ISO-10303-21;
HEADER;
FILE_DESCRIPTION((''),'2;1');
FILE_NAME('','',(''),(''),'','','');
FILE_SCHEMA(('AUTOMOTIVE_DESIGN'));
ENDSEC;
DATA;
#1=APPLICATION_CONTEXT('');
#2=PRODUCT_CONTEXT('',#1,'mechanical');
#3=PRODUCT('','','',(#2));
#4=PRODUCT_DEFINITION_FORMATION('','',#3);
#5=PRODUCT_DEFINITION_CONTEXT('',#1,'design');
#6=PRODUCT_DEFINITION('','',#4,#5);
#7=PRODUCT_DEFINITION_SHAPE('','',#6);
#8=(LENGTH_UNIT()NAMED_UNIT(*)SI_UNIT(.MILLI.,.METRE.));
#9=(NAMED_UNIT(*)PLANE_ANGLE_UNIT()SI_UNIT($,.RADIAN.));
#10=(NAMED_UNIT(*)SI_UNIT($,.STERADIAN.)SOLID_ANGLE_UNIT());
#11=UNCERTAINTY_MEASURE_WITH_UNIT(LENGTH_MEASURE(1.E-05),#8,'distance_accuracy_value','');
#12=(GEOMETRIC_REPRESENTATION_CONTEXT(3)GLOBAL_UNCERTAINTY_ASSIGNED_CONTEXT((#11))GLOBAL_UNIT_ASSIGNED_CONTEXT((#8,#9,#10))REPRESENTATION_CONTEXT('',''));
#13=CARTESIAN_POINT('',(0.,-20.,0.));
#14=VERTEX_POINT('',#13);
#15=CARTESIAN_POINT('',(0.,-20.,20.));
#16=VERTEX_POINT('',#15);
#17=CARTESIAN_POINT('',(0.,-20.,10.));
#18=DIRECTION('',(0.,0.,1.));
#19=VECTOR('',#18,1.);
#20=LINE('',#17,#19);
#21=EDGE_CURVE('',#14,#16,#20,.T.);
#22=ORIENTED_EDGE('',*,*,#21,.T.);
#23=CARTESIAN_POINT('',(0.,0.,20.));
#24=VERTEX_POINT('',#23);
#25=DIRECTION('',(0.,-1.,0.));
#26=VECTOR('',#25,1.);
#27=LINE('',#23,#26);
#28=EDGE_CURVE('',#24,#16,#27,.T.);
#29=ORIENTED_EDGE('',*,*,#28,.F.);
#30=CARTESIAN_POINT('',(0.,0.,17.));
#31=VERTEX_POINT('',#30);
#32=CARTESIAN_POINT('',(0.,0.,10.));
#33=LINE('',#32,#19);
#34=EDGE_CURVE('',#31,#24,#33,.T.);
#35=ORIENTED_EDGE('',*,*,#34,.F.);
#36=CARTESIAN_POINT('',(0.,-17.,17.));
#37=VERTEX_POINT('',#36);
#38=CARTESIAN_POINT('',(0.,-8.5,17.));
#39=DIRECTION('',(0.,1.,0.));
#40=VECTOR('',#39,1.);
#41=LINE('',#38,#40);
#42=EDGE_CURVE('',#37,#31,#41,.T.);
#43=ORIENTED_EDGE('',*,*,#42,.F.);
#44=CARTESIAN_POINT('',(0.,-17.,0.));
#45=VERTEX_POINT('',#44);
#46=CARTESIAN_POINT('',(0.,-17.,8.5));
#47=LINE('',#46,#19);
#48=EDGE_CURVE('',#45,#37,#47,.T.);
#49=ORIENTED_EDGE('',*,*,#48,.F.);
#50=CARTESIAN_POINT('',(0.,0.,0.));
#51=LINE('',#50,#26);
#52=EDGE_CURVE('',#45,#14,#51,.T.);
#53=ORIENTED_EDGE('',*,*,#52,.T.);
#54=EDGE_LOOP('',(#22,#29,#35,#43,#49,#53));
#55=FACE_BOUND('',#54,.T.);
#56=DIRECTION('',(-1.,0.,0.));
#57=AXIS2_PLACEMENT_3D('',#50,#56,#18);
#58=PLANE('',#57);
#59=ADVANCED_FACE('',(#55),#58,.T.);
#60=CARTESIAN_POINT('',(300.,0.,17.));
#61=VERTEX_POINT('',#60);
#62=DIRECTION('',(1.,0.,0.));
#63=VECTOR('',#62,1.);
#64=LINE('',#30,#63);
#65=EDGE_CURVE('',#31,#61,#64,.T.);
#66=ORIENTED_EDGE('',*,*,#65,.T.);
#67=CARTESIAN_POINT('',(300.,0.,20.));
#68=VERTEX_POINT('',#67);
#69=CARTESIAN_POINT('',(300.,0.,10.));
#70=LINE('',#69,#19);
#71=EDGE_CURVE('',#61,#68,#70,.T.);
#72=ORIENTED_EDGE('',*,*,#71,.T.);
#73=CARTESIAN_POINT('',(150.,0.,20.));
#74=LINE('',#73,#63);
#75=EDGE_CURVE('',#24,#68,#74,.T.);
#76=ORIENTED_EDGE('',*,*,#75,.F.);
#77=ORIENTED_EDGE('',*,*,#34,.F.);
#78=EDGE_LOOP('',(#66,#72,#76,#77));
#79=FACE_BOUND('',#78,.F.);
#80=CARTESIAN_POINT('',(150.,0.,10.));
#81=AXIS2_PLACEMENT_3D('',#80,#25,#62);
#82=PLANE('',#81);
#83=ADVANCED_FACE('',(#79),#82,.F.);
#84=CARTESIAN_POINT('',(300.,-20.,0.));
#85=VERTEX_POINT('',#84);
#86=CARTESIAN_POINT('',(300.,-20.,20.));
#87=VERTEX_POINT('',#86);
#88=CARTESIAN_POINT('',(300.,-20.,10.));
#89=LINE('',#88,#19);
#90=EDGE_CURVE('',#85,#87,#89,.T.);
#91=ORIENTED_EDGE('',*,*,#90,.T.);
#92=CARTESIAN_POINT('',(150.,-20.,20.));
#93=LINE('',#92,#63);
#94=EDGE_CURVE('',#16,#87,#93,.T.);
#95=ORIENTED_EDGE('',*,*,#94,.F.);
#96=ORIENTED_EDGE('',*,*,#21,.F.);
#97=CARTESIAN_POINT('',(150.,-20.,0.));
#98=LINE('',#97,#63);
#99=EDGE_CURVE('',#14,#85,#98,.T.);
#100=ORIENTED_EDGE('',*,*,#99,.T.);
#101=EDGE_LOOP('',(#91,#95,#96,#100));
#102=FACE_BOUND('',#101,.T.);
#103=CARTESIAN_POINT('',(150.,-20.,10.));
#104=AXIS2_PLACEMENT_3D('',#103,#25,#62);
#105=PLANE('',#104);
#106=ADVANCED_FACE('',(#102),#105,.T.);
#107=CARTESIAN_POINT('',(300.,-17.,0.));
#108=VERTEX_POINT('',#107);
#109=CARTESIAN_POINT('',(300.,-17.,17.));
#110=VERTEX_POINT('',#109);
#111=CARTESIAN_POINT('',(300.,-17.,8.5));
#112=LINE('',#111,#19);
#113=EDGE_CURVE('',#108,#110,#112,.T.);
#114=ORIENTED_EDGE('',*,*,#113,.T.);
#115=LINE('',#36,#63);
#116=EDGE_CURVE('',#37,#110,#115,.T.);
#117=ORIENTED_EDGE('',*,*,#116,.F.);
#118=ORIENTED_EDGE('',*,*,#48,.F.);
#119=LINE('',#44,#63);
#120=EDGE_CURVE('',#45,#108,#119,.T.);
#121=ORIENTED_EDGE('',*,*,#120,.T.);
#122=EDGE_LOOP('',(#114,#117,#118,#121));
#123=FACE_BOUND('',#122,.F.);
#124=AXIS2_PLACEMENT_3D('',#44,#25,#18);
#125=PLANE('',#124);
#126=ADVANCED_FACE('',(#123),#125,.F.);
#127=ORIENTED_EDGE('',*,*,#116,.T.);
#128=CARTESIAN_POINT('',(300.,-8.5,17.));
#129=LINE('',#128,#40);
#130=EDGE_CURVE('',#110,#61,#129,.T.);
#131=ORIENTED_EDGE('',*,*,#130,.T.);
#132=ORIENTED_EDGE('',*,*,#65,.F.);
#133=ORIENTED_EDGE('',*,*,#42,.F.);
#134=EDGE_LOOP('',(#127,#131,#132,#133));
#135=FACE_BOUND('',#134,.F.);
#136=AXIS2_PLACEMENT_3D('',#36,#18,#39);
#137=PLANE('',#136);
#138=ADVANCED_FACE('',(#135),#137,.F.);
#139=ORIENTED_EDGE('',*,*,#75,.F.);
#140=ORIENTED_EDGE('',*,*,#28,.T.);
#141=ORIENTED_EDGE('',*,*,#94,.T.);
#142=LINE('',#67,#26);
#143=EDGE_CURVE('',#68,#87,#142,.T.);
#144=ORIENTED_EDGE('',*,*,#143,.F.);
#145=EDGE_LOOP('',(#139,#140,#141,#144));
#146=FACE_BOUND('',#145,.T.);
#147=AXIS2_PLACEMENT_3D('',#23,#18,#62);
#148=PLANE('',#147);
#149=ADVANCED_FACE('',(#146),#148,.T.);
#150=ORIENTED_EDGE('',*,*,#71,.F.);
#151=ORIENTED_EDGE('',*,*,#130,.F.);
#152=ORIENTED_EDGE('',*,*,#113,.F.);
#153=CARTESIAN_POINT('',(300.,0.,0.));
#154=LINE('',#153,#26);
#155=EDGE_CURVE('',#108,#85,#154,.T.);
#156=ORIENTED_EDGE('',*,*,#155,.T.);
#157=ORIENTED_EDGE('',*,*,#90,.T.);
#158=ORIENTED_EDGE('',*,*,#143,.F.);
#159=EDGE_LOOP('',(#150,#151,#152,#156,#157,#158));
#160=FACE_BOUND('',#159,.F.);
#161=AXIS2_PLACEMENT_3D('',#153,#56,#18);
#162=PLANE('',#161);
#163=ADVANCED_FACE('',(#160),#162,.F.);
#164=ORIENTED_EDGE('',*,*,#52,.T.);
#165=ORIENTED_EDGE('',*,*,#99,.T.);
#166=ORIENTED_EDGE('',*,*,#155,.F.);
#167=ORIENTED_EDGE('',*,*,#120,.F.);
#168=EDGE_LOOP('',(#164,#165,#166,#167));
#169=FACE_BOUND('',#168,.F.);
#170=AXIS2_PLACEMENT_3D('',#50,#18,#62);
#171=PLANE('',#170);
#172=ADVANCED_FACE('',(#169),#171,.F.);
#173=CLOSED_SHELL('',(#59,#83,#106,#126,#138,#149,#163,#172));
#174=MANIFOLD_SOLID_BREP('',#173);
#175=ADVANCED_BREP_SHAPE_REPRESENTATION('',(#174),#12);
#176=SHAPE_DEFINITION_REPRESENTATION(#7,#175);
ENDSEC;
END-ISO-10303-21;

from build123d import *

# Parameters (mm, degrees)
F0_W     = 300
F0_H     = 20
F1_DEPTH = 20
F2_W     = 17
F2_H     = 17
F3_DEPTH = 300


with BuildPart() as f1:
    # F0 (on Front) → F1 (new body)
    with BuildSketch(Plane.XZ):
        with Locations((150, 10)):
            Rectangle(F0_W, F0_H)
    extrude(amount=F1_DEPTH)

    # F2 (on Right) → F3 (cut)
    with BuildSketch(Plane.YZ):
        with Locations((-8.5, 8.5)):
            Rectangle(F2_W, F2_H)
    extrude(amount=F3_DEPTH, mode=Mode.SUBTRACT)


solid = f1.part
